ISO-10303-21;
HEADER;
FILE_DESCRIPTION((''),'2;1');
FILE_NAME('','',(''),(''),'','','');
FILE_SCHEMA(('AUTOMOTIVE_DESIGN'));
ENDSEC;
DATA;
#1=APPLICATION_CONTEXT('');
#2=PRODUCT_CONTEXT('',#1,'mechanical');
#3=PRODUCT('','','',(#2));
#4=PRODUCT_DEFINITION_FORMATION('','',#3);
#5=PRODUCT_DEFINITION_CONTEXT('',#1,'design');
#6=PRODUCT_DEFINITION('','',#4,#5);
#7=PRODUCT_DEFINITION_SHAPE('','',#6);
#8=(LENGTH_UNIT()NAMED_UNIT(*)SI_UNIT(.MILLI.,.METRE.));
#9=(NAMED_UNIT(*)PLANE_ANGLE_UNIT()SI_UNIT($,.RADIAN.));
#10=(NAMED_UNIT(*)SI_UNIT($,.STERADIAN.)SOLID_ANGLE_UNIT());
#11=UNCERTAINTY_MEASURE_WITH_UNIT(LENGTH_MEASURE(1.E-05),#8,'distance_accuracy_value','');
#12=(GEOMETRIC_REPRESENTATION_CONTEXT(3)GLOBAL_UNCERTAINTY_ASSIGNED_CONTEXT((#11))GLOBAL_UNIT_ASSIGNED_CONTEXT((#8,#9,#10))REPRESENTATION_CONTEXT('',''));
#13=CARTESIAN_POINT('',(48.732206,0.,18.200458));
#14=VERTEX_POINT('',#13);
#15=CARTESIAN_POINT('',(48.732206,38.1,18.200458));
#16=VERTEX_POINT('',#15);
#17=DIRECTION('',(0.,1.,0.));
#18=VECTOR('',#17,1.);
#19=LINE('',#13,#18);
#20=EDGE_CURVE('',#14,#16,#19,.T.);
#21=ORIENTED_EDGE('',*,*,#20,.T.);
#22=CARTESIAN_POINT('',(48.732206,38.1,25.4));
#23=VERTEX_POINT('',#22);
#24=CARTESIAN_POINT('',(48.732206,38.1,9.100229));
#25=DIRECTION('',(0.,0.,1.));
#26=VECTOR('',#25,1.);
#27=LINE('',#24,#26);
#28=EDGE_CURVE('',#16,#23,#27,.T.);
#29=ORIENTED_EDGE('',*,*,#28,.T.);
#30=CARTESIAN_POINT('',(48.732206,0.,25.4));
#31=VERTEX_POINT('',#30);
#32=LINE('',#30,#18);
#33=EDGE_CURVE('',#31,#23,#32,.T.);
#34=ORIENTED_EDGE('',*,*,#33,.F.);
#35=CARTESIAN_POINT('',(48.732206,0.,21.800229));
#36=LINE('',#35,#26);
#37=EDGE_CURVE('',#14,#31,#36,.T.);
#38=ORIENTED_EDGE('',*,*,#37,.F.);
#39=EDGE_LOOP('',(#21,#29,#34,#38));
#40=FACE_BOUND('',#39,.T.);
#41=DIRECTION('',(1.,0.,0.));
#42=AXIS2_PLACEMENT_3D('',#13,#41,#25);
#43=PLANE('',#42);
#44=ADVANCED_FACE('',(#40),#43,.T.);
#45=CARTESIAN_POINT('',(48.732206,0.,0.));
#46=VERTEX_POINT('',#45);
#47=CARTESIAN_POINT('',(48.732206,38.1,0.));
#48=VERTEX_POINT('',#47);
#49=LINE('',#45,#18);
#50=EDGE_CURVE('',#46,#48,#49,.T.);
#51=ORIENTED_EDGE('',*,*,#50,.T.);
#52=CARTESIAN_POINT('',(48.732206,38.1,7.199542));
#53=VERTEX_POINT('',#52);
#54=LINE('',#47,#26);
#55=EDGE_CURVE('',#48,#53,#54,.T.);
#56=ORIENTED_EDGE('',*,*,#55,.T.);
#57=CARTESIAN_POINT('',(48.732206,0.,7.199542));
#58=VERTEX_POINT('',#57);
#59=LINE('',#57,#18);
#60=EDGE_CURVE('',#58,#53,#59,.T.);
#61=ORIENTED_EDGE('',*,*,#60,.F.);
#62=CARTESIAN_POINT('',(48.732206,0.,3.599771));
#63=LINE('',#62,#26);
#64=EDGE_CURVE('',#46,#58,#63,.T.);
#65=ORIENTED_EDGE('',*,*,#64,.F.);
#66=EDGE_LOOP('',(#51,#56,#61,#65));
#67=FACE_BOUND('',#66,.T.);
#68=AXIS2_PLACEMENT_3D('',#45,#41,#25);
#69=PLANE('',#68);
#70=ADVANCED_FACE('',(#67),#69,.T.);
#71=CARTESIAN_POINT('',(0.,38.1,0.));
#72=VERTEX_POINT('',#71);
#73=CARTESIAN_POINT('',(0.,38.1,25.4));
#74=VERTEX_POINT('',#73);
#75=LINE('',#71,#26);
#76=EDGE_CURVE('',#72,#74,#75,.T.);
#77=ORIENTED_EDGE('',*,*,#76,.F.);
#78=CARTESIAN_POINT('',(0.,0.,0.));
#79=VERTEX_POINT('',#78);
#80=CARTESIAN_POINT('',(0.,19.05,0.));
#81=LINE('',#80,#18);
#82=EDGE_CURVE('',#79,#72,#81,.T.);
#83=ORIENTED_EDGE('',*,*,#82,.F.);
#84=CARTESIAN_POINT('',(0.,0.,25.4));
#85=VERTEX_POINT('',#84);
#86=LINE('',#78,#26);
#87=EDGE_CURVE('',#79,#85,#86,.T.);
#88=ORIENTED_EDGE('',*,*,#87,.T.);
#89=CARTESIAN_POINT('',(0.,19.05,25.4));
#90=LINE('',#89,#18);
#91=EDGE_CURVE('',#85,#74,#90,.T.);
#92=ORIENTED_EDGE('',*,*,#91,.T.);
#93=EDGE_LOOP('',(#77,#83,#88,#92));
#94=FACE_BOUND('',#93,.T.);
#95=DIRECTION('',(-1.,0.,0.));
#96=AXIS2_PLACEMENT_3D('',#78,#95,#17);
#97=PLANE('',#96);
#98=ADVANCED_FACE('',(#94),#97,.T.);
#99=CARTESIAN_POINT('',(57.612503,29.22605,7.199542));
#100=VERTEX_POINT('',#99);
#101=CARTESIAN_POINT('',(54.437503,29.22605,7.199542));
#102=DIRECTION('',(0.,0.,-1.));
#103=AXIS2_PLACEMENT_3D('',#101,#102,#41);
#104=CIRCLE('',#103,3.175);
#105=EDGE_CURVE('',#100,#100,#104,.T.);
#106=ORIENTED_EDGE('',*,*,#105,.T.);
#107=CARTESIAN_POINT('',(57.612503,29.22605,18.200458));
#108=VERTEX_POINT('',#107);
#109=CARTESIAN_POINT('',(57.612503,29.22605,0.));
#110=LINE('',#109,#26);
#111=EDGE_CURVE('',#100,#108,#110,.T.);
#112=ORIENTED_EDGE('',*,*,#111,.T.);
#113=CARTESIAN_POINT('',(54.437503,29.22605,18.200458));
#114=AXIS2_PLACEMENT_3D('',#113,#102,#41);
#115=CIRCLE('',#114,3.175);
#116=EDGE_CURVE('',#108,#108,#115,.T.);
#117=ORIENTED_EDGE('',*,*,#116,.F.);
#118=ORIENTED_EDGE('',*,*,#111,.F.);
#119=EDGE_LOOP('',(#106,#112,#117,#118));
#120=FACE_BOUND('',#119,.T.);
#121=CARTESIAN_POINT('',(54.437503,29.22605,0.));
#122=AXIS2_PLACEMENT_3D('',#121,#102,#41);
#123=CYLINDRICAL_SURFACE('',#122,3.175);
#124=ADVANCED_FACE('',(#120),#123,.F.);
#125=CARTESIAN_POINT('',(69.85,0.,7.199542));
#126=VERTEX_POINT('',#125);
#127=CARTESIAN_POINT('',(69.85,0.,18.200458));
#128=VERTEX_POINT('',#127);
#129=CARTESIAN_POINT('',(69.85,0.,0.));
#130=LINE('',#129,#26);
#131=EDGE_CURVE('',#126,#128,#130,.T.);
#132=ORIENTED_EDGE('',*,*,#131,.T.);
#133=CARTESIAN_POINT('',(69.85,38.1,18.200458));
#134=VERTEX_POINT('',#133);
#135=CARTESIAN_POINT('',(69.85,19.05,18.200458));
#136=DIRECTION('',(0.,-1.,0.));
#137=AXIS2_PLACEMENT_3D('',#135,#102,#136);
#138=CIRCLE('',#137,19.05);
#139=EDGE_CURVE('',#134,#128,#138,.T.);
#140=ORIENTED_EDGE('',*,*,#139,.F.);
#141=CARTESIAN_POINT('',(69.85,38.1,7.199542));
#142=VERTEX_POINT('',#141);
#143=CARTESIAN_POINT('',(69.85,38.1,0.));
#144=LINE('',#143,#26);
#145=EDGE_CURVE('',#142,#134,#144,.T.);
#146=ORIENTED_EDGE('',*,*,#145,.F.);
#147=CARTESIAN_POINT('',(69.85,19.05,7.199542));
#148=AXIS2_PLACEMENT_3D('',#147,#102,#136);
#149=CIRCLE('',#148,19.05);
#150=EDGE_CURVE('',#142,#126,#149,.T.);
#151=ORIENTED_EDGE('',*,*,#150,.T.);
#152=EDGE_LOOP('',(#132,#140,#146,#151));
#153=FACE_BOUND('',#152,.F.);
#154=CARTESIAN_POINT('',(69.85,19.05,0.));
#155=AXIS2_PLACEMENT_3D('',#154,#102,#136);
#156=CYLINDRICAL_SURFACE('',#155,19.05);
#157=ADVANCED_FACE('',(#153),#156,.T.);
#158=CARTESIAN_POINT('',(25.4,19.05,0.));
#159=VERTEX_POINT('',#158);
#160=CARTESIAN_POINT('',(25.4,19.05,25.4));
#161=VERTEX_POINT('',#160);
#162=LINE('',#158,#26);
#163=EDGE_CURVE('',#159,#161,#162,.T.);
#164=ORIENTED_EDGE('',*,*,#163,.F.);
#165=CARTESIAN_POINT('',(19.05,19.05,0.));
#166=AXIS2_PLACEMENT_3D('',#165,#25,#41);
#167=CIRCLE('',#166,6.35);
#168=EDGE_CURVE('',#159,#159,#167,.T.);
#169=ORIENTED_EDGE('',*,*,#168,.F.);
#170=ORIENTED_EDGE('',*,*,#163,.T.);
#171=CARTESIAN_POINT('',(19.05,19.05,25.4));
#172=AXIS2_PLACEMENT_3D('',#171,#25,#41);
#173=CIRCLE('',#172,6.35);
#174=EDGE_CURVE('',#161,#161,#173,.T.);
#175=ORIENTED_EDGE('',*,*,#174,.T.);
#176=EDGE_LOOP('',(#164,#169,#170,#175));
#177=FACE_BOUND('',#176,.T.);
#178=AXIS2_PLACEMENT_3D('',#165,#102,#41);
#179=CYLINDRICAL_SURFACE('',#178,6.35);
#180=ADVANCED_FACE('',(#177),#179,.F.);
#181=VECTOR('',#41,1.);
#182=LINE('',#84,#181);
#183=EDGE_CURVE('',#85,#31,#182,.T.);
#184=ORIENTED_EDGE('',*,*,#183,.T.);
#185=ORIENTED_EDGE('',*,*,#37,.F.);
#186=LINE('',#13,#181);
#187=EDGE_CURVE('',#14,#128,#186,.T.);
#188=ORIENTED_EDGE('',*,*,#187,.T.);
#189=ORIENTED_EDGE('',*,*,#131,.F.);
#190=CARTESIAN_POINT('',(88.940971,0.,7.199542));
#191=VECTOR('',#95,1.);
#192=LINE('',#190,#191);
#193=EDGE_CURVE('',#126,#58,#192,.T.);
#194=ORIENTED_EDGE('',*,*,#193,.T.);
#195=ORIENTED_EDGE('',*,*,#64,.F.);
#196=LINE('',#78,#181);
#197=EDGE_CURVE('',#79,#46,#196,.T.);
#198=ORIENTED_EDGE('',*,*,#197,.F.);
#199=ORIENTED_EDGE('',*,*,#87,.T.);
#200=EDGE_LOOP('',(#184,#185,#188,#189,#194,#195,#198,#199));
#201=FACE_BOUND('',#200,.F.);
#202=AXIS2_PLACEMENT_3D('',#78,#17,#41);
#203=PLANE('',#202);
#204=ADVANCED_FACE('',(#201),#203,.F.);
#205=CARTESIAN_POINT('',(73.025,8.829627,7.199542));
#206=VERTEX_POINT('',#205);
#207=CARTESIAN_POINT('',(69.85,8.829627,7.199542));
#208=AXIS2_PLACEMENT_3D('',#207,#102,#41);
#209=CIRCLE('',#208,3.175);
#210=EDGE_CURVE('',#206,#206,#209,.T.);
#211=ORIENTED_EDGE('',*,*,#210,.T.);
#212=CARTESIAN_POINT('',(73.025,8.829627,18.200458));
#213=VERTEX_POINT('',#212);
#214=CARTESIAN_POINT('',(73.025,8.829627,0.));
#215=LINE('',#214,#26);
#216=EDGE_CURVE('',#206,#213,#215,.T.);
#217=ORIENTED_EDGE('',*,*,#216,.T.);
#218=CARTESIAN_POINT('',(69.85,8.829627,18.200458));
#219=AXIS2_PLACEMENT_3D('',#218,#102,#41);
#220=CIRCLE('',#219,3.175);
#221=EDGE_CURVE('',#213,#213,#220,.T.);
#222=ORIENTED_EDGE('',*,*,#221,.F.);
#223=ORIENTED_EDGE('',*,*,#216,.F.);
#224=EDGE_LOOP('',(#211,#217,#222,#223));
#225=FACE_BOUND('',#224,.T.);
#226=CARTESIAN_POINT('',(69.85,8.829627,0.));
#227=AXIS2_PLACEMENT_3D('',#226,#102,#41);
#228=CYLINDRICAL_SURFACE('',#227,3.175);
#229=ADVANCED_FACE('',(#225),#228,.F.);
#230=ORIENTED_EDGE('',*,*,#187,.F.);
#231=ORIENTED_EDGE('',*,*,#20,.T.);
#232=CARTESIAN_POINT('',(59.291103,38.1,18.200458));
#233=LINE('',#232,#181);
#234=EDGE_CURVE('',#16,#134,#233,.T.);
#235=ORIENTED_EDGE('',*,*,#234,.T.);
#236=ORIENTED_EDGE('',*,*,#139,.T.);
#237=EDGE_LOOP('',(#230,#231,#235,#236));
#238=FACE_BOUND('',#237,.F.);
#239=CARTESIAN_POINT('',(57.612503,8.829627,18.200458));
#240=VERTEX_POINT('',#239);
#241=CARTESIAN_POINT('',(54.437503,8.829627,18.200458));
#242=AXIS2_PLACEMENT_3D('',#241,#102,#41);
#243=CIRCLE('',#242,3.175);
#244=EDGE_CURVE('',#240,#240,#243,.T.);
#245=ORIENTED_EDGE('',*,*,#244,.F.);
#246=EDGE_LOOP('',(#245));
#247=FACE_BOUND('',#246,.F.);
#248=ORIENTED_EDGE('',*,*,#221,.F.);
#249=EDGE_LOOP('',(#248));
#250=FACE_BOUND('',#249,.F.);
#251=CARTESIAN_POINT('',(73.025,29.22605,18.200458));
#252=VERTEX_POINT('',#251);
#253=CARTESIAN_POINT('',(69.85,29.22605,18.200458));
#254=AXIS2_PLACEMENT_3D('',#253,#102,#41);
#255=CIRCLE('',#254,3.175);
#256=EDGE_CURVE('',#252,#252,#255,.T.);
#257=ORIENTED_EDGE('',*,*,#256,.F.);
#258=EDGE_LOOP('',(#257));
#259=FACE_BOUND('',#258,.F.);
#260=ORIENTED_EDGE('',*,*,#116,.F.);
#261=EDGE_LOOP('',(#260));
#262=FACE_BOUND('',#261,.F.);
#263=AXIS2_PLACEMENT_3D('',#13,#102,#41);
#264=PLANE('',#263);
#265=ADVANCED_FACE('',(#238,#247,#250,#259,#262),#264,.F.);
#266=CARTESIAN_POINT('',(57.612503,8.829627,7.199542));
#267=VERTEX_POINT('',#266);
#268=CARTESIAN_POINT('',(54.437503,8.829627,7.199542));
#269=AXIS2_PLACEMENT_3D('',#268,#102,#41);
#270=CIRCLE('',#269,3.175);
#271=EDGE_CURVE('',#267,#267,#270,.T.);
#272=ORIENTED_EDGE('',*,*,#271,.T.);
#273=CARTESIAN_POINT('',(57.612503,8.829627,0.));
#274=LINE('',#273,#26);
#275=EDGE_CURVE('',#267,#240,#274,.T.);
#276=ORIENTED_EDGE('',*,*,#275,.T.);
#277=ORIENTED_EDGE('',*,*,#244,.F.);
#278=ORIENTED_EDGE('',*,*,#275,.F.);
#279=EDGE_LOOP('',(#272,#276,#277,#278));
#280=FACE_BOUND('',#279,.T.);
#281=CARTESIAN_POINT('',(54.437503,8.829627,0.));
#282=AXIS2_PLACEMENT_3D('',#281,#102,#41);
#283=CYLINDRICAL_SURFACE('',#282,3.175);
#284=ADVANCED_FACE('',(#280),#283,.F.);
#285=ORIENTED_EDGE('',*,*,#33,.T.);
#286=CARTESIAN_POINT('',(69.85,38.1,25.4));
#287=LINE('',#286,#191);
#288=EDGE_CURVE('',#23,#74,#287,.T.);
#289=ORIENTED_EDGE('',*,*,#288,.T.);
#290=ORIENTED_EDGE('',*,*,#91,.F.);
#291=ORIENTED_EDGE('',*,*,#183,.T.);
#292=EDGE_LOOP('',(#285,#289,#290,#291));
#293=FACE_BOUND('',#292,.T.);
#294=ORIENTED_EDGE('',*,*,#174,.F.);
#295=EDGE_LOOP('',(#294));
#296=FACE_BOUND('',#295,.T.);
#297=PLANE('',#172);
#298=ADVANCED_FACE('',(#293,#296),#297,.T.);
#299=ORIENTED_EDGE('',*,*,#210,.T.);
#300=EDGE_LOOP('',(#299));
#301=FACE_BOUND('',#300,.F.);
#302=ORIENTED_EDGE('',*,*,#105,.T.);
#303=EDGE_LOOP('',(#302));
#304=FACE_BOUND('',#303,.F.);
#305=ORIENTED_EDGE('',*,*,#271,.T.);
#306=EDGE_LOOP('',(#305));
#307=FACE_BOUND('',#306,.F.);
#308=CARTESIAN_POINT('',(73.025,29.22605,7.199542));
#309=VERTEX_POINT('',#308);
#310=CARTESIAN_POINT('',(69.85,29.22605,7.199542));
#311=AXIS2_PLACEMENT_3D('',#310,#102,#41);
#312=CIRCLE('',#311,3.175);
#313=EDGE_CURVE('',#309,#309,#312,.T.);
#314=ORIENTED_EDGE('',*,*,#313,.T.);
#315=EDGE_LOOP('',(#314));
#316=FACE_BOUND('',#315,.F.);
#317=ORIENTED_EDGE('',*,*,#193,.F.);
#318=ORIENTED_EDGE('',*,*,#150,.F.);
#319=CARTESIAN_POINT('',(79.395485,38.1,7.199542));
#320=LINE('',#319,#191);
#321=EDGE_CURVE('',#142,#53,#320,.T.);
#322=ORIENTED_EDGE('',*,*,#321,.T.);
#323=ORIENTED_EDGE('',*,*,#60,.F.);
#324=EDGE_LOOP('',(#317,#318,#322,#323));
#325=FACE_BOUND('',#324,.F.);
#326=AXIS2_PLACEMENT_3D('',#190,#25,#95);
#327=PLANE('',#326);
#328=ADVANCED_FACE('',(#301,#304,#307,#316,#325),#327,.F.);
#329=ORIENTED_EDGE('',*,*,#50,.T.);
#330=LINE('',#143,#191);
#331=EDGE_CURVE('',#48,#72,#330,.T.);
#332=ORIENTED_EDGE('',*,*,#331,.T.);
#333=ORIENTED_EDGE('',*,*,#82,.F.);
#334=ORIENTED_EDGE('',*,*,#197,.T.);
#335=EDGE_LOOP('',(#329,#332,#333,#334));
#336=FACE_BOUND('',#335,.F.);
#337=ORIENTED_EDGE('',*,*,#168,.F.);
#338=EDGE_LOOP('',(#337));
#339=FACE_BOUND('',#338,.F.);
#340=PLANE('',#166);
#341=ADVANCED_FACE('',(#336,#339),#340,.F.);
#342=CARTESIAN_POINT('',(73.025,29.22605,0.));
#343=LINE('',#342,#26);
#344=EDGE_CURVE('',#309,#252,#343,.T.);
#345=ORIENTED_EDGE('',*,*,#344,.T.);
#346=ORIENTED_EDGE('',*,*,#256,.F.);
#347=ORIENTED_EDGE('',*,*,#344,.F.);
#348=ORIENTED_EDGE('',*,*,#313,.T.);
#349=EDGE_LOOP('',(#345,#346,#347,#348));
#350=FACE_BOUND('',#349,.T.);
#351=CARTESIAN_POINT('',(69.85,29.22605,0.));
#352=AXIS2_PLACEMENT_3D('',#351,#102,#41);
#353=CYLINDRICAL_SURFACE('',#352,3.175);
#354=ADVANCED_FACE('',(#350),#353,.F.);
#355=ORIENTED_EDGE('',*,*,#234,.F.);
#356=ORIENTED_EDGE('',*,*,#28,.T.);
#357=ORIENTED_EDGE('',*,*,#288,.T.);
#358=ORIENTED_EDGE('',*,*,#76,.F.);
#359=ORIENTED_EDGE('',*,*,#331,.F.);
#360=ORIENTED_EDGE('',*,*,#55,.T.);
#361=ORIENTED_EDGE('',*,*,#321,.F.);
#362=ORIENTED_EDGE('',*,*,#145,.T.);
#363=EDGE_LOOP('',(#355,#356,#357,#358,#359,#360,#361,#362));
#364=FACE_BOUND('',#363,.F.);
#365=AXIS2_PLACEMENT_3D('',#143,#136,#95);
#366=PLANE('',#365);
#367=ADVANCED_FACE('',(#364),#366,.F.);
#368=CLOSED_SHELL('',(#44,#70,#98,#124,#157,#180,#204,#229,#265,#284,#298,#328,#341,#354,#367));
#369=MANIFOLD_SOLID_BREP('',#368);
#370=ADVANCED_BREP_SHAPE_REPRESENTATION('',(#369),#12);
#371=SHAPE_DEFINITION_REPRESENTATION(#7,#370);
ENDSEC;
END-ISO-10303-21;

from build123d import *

# Parameters (mm, degrees)
F0_W     = 38.1
F0_H     = 38.1
F0_R     = 6.35
F0_R_2   = 3.175
F1_DEPTH = 25.4
F2_W     = 21.117794
F2_H     = 7.199542
F2_W_2   = 19.090971
F3_DEPTH = 38.101


with BuildPart() as f1:
    # F0 (on Top) → F1 (new body)
    with BuildSketch(Plane.XY):
        with Locations((19.05, 19.05)):
            Rectangle(F0_W, F0_H)
        with Locations((19.05, 19.05)):
            Circle(F0_R, mode=Mode.SUBTRACT)
        with BuildLine():
            Line((69.85, 38.1), (38.1, 38.1))
            Line((38.1, 38.1), (38.1, 0))
            Line((38.1, 0), (69.85, 0))
            ThreePointArc((69.85, 0), (88.9, 19.05), (69.85, 38.1))
        make_face()
        with Locations((54.437503, 8.829627)):
            Circle(F0_R_2, mode=Mode.SUBTRACT)
        with Locations((69.85, 8.829627)):
            Circle(F0_R_2, mode=Mode.SUBTRACT)
        with Locations((54.437503, 29.22605)):
            Circle(F0_R_2, mode=Mode.SUBTRACT)
        with Locations((69.85, 29.22605)):
            Circle(F0_R_2, mode=Mode.SUBTRACT)
    extrude(amount=F1_DEPTH)

    # F2 (on face) → F3 (cut, through all)
    with BuildSketch(Plane.XZ):
        with Locations((59.291103, 21.800229)):
            Rectangle(F2_W, F2_H)
        with Locations((79.395485, 21.800229)):
            Rectangle(F2_W_2, F2_H)
        with Locations((59.291103, 3.599771)):
            Rectangle(F2_W, F2_H)
        with Locations((79.395485, 3.599771)):
            Rectangle(F2_W_2, F2_H)
    extrude(amount=-F3_DEPTH, mode=Mode.SUBTRACT)


solid = f1.part
